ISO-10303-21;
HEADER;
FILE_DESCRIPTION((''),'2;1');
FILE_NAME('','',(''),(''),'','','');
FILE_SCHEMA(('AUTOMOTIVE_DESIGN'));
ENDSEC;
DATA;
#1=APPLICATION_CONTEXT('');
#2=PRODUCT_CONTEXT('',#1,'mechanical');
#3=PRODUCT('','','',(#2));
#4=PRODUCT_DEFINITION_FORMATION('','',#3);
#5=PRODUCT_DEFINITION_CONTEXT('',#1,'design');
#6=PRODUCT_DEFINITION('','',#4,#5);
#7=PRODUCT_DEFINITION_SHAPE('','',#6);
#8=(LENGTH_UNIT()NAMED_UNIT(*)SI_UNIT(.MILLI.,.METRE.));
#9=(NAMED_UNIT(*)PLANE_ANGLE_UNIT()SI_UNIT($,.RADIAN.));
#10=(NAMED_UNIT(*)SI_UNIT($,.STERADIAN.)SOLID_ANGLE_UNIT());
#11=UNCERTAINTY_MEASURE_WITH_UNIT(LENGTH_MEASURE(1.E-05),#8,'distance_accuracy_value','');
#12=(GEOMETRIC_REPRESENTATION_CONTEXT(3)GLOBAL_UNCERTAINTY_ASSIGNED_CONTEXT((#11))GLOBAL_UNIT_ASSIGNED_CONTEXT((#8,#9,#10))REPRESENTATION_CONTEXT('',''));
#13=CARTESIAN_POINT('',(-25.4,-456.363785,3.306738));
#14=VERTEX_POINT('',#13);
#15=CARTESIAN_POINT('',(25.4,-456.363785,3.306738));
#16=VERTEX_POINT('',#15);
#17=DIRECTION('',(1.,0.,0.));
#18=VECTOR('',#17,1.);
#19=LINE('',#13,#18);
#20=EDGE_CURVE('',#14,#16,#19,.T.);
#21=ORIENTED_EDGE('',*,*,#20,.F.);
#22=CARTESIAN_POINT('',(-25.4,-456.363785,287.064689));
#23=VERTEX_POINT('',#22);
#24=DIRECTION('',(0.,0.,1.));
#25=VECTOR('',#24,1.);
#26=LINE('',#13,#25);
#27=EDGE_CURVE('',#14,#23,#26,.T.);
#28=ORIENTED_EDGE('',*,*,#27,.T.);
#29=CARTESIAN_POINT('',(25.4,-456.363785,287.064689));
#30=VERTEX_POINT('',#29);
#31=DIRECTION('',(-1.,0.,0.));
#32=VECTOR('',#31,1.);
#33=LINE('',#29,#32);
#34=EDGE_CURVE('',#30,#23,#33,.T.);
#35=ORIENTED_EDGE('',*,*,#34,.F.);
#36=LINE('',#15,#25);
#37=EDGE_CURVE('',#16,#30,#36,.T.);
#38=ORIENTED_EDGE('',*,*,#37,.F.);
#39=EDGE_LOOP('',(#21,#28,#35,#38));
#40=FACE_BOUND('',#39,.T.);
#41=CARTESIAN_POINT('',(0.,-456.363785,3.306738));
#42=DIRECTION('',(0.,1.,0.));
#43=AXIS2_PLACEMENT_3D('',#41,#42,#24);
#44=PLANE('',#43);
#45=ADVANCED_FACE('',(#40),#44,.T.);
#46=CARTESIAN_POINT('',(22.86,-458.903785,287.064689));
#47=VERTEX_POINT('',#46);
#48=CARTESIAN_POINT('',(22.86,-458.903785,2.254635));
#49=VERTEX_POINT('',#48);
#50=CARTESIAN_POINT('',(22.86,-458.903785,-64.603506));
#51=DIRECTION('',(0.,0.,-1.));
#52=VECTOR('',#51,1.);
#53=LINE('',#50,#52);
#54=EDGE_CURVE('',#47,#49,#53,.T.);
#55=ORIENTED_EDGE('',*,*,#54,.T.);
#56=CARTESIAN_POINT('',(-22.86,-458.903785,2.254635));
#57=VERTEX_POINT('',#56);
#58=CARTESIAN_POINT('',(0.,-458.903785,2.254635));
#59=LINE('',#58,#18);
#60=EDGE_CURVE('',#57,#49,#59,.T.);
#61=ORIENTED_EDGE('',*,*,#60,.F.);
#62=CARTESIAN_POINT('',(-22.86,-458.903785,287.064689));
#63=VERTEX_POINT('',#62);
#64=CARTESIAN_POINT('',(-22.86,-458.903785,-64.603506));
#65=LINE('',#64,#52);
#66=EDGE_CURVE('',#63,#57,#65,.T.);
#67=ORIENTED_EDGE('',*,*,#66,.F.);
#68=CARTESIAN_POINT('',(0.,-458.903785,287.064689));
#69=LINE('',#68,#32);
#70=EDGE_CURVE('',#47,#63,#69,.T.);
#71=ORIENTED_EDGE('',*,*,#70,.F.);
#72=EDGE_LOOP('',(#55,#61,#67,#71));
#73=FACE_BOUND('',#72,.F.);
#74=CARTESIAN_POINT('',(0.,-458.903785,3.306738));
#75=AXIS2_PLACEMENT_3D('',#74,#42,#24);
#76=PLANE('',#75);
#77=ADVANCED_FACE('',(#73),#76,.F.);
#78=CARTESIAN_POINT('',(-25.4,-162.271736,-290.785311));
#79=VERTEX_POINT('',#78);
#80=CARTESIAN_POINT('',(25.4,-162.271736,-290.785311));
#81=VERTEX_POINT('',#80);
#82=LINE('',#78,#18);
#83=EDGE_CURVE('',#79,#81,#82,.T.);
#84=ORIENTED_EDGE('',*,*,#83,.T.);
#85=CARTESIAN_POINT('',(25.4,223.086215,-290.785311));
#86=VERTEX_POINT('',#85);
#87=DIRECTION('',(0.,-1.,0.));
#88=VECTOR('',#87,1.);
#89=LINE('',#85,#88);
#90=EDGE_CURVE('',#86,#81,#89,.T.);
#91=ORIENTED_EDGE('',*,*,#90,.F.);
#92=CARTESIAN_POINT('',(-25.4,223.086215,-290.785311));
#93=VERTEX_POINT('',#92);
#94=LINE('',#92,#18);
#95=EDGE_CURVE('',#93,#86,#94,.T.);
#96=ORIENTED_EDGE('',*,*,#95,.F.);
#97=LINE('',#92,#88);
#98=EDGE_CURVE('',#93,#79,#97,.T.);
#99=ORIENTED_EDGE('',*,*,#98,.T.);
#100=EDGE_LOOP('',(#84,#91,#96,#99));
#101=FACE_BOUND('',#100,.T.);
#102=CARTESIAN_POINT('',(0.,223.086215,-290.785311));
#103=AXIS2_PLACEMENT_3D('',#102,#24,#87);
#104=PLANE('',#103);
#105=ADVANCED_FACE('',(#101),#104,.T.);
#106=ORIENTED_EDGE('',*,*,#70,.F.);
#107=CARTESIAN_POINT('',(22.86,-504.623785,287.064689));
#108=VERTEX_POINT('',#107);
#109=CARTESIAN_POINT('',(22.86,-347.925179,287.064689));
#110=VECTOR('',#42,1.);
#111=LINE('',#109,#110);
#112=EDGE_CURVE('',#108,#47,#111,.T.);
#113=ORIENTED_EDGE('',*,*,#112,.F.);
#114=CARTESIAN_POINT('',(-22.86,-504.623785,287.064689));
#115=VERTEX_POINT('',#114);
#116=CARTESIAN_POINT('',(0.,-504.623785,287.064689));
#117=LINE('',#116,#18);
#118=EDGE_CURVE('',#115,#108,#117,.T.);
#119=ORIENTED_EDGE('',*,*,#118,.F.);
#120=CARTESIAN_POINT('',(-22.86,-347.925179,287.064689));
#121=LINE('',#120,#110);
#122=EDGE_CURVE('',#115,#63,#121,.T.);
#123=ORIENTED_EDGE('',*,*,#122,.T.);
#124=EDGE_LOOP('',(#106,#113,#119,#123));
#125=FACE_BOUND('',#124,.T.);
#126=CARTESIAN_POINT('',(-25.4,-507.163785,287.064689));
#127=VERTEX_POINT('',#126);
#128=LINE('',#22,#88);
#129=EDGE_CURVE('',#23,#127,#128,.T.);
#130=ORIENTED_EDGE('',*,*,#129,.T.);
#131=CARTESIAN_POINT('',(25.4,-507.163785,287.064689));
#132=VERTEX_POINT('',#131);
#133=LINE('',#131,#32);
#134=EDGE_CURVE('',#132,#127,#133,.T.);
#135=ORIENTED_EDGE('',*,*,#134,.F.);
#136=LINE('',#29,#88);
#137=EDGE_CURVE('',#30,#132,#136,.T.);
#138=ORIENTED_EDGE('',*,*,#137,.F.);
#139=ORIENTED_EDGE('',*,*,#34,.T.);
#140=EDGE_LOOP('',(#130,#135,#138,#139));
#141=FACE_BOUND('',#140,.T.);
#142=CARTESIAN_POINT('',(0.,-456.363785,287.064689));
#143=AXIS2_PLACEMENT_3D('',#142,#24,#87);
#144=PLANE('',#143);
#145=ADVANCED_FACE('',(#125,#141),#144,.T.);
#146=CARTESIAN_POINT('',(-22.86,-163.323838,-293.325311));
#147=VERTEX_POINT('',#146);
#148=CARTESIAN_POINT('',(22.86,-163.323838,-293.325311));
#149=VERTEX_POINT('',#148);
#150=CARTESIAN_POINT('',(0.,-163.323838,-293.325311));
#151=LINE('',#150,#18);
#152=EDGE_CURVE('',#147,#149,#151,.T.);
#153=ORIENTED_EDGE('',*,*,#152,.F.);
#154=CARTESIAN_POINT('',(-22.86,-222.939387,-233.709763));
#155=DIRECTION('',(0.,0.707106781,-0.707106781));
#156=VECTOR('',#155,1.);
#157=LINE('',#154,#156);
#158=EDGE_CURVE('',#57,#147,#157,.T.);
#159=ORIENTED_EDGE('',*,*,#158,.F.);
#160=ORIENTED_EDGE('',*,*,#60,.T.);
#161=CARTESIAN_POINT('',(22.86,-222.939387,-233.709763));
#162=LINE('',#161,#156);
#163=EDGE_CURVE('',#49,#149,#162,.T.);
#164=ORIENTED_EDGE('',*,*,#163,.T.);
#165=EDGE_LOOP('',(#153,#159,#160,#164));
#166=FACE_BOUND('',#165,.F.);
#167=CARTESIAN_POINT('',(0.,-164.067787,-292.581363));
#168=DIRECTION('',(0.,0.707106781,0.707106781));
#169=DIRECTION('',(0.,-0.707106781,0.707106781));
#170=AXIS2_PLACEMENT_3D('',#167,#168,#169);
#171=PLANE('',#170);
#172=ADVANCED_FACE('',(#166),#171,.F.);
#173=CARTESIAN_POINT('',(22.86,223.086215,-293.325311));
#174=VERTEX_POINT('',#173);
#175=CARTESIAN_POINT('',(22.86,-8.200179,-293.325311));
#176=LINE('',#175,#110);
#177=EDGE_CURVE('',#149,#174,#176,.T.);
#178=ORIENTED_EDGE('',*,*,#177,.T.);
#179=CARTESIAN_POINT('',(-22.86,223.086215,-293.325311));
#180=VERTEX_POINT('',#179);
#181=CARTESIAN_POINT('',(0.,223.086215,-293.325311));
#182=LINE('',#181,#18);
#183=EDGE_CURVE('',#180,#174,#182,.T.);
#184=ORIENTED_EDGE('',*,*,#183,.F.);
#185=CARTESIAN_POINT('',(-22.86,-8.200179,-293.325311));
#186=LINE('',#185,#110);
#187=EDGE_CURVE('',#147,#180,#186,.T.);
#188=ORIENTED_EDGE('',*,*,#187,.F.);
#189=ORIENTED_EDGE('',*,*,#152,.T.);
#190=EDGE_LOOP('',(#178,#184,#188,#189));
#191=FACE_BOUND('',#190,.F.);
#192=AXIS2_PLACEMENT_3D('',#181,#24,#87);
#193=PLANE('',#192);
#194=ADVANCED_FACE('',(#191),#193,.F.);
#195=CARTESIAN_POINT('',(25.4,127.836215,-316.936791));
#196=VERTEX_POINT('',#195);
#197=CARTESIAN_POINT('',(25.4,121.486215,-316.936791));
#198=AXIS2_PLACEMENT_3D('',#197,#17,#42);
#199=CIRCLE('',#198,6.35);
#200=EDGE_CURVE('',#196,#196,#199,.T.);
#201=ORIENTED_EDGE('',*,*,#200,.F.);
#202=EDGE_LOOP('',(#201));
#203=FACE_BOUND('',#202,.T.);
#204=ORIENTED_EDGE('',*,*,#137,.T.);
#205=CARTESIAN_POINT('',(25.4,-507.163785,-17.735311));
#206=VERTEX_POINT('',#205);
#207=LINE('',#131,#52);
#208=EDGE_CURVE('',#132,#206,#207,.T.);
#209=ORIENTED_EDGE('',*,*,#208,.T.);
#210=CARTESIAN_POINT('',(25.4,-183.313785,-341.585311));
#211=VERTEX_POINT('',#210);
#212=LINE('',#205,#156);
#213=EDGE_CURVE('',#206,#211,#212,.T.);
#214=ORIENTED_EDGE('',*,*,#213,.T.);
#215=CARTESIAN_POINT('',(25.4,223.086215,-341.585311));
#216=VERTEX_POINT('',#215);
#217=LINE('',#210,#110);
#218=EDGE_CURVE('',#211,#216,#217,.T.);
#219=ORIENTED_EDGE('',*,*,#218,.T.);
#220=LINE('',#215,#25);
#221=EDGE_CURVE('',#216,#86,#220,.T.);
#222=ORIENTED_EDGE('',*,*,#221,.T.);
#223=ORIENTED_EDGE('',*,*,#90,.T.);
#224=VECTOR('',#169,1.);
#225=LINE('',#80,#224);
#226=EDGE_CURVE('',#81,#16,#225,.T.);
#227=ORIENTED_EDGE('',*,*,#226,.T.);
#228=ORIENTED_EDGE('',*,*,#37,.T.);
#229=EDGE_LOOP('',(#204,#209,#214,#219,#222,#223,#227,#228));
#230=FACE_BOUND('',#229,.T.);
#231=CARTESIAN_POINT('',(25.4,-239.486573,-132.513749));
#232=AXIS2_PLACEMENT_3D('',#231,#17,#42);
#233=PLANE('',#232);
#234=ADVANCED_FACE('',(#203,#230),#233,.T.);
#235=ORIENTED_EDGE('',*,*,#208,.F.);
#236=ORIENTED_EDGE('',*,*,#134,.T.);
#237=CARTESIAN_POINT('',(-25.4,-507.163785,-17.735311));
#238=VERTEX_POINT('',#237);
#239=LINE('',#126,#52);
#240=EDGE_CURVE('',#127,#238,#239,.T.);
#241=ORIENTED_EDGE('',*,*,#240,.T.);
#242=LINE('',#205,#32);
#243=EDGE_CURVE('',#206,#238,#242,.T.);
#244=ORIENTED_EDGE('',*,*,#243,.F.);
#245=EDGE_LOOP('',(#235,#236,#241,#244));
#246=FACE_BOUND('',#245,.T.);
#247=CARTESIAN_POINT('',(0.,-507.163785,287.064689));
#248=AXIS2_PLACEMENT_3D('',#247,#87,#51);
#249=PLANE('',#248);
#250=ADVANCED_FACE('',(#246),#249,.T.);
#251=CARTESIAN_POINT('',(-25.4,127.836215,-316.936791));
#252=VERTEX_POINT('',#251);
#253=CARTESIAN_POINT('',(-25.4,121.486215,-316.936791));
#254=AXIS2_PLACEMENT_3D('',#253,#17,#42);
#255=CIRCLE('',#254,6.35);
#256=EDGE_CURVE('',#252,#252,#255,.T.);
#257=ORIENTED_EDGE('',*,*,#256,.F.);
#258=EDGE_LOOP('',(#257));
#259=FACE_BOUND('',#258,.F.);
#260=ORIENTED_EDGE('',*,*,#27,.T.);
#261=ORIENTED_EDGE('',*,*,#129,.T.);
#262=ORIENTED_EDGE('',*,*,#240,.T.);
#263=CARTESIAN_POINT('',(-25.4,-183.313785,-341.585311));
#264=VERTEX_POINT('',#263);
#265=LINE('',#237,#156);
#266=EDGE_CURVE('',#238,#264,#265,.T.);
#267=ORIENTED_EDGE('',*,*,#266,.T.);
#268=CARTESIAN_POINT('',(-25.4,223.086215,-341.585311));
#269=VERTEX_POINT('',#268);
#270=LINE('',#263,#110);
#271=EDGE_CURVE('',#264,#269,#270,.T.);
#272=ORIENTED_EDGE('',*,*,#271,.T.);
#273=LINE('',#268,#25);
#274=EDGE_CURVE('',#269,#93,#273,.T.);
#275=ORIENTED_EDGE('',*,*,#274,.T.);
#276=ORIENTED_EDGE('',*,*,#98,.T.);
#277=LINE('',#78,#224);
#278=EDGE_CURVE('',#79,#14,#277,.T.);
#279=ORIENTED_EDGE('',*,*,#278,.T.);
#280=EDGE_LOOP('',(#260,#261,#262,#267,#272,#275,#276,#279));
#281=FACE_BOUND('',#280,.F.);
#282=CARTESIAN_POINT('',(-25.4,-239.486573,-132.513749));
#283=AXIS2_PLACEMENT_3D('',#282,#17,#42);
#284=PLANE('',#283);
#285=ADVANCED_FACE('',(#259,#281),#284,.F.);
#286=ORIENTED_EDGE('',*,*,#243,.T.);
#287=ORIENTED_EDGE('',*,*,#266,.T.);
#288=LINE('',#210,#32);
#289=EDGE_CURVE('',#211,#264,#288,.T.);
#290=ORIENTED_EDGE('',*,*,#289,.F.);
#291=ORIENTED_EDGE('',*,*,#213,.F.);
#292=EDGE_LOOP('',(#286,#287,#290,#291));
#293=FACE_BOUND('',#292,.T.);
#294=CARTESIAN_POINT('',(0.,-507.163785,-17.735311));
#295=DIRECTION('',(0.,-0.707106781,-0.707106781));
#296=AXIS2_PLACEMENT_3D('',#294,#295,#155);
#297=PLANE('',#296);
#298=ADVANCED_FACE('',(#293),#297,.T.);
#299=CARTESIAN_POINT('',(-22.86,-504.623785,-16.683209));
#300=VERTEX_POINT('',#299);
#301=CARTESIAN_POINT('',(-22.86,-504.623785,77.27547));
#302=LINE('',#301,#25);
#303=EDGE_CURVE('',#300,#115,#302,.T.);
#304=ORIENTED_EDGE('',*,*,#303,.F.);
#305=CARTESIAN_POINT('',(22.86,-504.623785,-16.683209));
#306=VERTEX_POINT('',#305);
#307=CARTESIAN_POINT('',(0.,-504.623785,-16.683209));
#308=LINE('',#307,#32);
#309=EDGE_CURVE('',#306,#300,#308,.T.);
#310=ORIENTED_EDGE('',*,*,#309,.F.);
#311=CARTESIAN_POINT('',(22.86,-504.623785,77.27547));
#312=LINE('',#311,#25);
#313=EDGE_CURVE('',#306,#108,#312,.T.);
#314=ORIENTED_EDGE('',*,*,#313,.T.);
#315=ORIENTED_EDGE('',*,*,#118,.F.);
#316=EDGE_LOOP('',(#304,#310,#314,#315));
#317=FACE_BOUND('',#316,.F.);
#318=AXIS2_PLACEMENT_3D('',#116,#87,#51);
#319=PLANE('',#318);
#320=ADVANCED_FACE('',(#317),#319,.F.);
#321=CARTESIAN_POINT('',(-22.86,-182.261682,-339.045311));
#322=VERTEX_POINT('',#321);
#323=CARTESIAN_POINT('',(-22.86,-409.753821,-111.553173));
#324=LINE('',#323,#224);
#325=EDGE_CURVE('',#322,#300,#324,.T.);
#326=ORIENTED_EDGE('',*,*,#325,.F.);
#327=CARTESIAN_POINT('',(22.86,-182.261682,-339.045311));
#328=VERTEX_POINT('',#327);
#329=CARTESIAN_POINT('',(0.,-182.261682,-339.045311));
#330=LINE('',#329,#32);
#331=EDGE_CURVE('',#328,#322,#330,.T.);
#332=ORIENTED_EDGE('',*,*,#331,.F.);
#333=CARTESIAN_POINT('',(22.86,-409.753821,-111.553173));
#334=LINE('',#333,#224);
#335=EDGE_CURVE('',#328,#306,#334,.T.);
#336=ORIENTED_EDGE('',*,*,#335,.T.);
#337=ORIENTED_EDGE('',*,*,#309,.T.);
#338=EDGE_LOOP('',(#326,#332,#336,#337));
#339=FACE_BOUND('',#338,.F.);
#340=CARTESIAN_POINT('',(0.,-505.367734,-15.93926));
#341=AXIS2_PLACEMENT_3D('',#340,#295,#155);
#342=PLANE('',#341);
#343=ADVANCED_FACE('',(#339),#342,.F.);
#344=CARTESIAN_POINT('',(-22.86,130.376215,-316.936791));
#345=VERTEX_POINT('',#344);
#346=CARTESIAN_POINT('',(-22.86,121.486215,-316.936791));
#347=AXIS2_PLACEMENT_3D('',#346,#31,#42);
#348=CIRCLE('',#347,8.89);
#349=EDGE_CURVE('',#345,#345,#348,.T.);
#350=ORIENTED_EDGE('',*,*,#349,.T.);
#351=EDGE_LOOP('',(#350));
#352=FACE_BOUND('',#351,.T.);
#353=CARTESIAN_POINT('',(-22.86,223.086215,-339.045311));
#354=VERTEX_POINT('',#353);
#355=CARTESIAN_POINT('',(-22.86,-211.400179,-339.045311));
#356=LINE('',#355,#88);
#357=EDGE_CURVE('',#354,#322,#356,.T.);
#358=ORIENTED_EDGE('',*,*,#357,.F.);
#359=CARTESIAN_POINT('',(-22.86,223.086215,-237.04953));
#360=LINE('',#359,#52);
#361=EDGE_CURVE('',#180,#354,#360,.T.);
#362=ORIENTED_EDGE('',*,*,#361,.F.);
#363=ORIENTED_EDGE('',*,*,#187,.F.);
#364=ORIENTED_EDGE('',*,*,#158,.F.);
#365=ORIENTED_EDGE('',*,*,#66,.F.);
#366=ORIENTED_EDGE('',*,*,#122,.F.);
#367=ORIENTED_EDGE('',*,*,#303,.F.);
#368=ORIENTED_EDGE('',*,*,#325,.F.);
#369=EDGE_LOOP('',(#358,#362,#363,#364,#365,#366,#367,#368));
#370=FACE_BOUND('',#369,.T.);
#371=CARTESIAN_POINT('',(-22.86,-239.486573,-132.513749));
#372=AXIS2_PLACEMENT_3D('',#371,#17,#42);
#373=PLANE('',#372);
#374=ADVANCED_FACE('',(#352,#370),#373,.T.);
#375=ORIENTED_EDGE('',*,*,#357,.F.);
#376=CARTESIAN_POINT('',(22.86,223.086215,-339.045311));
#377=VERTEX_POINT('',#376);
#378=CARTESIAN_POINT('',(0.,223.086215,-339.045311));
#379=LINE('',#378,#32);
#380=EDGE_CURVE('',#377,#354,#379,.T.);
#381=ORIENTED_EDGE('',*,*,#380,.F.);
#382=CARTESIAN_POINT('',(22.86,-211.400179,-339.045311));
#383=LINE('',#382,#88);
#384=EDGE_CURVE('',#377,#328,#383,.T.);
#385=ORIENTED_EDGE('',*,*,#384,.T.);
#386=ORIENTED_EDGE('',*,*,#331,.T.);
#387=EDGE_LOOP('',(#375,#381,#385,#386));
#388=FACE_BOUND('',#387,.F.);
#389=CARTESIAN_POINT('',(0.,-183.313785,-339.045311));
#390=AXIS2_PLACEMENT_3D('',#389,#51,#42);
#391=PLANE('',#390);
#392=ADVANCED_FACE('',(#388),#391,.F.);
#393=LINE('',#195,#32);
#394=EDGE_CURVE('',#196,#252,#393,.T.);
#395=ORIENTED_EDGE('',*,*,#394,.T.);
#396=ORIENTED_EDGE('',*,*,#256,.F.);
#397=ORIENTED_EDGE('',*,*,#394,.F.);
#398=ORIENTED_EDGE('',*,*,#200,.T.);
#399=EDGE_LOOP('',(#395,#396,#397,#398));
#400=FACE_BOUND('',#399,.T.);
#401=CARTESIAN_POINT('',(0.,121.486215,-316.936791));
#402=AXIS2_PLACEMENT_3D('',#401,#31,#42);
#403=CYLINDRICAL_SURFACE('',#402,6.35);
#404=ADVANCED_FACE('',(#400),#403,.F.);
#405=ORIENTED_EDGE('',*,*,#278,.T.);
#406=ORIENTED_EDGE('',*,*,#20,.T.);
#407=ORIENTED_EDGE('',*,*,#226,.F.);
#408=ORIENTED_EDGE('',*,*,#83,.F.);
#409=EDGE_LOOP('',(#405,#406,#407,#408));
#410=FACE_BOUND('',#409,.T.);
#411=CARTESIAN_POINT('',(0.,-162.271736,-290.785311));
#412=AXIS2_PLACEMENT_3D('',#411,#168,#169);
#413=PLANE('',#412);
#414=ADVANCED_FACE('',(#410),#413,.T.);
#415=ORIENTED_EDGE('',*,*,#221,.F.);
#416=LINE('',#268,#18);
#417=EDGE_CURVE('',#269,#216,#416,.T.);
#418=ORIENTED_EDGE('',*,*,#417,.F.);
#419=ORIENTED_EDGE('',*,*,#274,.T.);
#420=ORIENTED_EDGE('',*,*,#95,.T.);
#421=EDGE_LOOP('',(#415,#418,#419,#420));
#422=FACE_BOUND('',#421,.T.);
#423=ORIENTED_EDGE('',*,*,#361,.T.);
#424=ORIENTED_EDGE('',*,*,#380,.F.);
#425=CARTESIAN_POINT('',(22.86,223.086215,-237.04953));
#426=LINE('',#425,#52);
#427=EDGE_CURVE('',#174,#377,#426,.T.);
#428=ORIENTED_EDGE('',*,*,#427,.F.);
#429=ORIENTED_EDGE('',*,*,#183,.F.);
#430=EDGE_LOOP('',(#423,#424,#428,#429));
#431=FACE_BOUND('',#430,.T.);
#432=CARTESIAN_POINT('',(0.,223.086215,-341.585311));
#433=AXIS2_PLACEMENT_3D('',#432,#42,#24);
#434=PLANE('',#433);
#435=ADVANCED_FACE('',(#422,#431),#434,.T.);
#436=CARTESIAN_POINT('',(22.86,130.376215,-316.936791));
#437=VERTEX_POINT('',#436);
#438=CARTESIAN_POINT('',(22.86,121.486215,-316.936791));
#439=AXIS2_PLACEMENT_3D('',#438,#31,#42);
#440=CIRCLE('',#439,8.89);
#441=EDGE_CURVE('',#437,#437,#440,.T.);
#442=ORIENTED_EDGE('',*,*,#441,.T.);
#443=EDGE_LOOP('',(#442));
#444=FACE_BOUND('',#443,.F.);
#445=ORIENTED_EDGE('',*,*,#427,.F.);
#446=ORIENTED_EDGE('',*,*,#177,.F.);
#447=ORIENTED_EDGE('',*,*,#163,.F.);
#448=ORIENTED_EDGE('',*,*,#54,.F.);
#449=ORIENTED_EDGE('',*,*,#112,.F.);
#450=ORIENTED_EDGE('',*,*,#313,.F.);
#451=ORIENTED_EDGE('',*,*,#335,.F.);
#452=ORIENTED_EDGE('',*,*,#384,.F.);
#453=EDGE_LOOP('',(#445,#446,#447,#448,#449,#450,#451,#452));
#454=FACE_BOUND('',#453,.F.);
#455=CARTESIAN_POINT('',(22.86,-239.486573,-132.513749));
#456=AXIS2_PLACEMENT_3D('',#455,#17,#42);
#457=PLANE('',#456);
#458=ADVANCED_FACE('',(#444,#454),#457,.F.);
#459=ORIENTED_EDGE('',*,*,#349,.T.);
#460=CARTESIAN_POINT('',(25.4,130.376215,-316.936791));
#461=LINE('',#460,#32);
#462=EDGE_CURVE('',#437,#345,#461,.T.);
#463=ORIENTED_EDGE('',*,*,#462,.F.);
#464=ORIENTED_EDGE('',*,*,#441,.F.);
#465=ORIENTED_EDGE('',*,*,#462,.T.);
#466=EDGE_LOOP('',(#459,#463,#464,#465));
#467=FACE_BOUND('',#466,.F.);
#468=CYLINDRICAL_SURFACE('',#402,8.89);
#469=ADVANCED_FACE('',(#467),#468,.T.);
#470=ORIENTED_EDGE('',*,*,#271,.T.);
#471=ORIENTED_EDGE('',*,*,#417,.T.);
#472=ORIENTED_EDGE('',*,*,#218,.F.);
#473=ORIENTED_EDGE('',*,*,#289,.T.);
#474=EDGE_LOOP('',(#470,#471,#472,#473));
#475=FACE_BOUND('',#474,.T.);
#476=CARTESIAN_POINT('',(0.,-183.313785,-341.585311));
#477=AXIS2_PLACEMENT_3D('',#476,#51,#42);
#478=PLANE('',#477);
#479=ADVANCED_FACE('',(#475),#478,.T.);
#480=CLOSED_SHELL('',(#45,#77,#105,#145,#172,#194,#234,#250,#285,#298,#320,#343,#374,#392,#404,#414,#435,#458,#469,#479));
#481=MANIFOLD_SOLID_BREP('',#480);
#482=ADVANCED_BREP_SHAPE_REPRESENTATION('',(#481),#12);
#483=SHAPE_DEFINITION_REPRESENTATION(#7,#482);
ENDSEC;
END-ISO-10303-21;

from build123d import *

# Parameters (mm, degrees)
F0_R     = 6.35
F1_DEPTH = 25.4
F2_T     = -2.54


with BuildPart() as f1:
    # F0 (on Right) → F1 (new body, symmetric)
    with BuildSketch(Plane.YZ):
        Polygon((-183.3137847563, -341.5853113772), (223.0862152437, -341.5853113772), (223.0862152437, -290.7853113772), (-162.2717357877, -290.7853113772), (-456.3637847563, 3.3067375913), (-456.3637847563, 287.0646886228), (-507.1637847563, 287.0646886228), (-507.1637847563, -17.7353113772), align=None)
        with Locations((121.4862152437, -316.9367909431)):
            Circle(F0_R, mode=Mode.SUBTRACT)
    extrude(amount=F1_DEPTH, both=True)

    # F2
    f2_openings = [f1.faces().sort_by_distance(p)[0] for p in [
        (0, 223.086215, -316.185311),
        (0, -481.763785, 287.064689),
    ]]
    offset(amount=F2_T, openings=f2_openings, kind=Kind.INTERSECTION)


solid = f1.part
